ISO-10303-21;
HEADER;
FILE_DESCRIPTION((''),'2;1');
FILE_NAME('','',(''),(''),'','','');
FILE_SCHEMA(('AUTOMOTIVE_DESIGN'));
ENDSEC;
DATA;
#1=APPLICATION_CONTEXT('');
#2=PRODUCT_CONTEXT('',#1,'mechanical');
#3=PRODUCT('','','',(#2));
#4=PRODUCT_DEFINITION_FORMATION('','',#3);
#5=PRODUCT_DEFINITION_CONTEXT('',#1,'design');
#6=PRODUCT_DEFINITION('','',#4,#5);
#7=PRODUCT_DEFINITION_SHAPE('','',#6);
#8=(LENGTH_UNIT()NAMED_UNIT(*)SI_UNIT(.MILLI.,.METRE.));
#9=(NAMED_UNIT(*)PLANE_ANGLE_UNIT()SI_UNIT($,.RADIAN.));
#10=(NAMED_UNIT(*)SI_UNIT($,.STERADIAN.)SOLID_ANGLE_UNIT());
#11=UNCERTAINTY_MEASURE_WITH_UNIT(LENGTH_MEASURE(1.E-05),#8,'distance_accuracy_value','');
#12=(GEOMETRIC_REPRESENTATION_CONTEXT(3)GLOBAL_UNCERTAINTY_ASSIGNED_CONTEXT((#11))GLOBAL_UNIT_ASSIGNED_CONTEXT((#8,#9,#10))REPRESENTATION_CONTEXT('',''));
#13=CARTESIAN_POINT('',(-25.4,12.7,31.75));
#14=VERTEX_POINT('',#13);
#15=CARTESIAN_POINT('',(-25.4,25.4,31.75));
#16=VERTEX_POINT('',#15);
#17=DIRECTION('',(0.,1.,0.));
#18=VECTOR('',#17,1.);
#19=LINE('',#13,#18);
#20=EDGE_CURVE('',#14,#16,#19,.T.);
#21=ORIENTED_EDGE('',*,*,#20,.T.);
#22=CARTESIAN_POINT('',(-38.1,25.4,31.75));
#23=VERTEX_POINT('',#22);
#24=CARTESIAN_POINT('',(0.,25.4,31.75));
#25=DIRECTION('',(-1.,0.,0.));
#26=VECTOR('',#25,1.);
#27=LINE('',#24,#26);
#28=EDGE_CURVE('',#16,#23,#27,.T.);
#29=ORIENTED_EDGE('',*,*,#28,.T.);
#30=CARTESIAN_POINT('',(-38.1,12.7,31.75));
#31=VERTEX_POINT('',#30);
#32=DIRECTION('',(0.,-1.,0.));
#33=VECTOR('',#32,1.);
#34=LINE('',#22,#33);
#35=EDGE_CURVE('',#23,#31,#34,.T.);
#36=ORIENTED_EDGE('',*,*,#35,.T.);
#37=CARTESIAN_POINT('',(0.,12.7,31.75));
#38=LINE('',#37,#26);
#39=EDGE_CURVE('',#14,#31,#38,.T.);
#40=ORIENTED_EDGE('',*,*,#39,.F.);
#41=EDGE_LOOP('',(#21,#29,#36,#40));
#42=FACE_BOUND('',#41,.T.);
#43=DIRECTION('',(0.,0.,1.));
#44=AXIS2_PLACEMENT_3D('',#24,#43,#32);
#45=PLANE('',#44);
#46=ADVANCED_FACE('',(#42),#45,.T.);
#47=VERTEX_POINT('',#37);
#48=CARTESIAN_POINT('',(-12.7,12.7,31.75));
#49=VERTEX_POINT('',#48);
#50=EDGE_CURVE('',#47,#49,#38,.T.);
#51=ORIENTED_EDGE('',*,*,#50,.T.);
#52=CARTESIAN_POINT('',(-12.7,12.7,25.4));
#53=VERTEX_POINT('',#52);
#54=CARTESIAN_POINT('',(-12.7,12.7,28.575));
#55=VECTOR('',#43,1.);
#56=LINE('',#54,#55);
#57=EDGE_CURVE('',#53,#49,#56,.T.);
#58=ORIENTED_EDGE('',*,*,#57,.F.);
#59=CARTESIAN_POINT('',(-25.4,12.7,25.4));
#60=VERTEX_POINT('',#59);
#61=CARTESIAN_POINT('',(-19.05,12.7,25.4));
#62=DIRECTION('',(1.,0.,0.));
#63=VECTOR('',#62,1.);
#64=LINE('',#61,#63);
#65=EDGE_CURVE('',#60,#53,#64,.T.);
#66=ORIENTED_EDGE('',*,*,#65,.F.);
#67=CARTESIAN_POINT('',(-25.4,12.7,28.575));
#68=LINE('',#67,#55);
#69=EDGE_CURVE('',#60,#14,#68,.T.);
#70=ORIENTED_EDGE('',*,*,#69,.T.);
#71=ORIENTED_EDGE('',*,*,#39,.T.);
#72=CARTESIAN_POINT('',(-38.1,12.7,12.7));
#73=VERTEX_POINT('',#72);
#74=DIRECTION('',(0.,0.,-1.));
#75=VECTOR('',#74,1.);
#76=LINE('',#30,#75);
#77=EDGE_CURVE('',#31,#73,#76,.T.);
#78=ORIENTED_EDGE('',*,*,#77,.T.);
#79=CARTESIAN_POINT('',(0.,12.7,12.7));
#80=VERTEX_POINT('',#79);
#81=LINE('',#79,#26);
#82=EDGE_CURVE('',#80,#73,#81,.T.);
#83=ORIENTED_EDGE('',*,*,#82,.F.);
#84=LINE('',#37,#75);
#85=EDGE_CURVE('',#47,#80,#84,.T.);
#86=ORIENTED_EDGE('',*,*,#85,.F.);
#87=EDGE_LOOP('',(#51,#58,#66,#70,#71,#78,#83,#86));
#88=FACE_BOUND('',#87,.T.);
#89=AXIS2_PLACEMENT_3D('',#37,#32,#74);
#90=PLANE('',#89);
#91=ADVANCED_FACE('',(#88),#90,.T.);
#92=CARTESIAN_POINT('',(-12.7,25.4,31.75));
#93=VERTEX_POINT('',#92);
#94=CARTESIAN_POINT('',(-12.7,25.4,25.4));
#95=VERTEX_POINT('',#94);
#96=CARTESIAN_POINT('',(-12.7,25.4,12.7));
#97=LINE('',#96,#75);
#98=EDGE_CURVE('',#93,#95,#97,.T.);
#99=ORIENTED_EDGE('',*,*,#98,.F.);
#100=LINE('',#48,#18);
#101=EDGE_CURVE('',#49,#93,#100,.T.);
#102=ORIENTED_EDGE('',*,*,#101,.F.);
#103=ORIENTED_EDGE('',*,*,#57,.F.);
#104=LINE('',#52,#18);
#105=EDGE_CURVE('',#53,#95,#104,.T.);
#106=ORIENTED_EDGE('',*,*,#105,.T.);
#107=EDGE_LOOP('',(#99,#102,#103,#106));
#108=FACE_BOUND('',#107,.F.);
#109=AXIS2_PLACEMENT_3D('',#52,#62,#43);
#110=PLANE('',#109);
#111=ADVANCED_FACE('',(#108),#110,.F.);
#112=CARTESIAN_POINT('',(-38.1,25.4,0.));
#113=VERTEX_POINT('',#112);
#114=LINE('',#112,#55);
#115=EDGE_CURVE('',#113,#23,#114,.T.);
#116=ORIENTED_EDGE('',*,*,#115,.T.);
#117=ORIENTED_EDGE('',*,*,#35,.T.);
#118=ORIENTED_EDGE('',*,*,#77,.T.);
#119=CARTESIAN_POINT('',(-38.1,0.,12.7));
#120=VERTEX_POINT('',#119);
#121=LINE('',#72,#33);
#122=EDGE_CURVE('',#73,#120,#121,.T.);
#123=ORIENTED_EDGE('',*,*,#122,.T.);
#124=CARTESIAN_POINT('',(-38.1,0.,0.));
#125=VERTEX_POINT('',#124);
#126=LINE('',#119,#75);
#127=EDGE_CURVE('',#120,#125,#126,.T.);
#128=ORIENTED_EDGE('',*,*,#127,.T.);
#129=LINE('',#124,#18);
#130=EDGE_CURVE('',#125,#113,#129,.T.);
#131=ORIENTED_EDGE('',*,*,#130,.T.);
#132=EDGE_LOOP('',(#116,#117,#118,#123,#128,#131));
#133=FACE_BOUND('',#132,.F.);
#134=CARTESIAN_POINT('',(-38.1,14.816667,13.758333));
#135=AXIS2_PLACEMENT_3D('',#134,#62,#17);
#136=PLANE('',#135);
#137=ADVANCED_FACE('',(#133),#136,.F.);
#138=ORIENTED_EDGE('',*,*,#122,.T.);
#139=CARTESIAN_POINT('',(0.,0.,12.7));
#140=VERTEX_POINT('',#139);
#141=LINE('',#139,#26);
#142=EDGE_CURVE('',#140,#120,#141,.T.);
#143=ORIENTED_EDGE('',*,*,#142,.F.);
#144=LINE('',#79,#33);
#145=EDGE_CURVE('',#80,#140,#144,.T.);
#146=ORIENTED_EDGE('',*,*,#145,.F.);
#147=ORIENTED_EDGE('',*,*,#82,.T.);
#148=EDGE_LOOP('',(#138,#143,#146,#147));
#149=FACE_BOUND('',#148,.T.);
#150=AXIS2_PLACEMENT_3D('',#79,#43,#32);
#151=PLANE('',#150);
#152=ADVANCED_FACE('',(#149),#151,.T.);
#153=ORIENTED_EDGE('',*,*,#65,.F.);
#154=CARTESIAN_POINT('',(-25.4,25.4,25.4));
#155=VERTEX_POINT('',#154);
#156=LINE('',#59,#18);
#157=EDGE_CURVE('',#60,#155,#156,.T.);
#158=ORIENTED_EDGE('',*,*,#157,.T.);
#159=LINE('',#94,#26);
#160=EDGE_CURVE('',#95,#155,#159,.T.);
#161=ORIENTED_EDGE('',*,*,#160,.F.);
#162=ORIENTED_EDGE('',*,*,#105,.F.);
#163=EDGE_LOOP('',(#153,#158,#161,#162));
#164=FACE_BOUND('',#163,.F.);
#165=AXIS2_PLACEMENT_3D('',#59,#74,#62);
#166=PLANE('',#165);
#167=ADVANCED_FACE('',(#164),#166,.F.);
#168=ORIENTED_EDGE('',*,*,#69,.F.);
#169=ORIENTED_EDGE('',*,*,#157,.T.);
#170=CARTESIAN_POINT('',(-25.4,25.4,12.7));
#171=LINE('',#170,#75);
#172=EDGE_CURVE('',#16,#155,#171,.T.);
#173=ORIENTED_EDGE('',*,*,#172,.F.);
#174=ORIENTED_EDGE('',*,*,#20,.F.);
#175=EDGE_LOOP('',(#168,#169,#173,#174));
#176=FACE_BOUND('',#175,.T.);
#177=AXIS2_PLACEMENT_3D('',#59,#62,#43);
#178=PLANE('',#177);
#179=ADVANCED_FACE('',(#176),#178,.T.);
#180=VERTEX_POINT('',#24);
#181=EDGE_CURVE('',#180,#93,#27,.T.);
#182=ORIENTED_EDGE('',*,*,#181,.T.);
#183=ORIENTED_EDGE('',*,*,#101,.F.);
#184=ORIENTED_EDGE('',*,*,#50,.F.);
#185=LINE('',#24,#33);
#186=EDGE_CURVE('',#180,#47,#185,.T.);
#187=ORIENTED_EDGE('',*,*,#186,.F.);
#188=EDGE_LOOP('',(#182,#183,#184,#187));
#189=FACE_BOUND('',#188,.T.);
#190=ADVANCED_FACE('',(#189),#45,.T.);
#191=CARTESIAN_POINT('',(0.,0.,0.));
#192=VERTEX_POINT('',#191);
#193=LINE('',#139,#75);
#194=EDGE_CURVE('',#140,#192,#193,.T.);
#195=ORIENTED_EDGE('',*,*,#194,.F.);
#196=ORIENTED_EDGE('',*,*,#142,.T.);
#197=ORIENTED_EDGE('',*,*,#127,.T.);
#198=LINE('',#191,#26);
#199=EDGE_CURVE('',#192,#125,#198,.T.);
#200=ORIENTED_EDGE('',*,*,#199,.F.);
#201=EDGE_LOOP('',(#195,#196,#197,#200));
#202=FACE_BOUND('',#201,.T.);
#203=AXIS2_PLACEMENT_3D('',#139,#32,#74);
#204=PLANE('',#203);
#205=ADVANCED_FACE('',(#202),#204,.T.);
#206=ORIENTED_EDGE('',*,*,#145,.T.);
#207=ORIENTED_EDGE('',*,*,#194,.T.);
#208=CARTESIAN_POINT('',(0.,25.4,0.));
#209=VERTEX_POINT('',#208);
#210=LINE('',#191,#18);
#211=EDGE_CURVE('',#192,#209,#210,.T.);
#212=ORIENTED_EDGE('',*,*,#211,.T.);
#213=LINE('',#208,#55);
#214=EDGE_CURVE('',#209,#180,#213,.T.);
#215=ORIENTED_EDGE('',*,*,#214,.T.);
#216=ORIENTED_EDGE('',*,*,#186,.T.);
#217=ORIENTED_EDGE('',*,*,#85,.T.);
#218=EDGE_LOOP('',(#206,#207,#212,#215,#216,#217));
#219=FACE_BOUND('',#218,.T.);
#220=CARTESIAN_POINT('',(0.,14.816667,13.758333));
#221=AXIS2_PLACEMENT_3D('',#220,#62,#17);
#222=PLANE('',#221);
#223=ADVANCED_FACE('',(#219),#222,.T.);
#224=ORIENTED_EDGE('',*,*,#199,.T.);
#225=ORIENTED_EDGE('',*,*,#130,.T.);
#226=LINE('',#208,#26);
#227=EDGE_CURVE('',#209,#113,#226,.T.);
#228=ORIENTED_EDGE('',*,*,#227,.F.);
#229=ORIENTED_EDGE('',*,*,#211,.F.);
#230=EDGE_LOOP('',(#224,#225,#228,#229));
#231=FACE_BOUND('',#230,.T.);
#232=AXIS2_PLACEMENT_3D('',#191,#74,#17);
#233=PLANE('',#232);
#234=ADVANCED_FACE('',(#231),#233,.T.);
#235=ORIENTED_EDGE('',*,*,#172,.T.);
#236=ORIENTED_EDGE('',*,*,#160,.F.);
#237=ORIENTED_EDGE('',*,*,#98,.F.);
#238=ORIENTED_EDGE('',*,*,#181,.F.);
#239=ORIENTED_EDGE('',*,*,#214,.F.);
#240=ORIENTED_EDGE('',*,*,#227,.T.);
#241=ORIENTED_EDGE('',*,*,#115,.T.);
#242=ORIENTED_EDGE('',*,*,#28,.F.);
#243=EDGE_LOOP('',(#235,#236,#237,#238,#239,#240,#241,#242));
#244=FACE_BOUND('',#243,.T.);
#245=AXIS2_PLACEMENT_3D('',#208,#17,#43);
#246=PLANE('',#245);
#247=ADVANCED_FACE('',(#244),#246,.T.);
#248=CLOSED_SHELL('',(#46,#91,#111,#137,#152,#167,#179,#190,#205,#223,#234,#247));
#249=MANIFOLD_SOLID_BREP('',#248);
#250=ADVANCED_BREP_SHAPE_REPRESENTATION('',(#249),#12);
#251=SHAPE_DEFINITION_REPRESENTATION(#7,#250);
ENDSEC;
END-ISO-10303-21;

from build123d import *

# Parameters (mm, degrees)
F1_DEPTH = 38.1
F2_W     = 12.7
F2_H     = 6.35
F3_DEPTH = 25.4


with BuildPart() as f1:
    # F0 (on Right) → F1 (new body)
    with BuildSketch(Plane.YZ):
        Polygon((0, 12.7), (0, 0), (25.4, 0), (25.4, 31.75), (12.7, 31.75), (12.7, 12.7), align=None)
    extrude(amount=-F1_DEPTH)

    # F2 (on face) → F3 (cut)
    with BuildSketch(Plane.XZ.offset(-12.7)):
        with Locations((-19.05, 28.575)):
            Rectangle(F2_W, F2_H)
    extrude(amount=-F3_DEPTH, mode=Mode.SUBTRACT)


solid = f1.part
